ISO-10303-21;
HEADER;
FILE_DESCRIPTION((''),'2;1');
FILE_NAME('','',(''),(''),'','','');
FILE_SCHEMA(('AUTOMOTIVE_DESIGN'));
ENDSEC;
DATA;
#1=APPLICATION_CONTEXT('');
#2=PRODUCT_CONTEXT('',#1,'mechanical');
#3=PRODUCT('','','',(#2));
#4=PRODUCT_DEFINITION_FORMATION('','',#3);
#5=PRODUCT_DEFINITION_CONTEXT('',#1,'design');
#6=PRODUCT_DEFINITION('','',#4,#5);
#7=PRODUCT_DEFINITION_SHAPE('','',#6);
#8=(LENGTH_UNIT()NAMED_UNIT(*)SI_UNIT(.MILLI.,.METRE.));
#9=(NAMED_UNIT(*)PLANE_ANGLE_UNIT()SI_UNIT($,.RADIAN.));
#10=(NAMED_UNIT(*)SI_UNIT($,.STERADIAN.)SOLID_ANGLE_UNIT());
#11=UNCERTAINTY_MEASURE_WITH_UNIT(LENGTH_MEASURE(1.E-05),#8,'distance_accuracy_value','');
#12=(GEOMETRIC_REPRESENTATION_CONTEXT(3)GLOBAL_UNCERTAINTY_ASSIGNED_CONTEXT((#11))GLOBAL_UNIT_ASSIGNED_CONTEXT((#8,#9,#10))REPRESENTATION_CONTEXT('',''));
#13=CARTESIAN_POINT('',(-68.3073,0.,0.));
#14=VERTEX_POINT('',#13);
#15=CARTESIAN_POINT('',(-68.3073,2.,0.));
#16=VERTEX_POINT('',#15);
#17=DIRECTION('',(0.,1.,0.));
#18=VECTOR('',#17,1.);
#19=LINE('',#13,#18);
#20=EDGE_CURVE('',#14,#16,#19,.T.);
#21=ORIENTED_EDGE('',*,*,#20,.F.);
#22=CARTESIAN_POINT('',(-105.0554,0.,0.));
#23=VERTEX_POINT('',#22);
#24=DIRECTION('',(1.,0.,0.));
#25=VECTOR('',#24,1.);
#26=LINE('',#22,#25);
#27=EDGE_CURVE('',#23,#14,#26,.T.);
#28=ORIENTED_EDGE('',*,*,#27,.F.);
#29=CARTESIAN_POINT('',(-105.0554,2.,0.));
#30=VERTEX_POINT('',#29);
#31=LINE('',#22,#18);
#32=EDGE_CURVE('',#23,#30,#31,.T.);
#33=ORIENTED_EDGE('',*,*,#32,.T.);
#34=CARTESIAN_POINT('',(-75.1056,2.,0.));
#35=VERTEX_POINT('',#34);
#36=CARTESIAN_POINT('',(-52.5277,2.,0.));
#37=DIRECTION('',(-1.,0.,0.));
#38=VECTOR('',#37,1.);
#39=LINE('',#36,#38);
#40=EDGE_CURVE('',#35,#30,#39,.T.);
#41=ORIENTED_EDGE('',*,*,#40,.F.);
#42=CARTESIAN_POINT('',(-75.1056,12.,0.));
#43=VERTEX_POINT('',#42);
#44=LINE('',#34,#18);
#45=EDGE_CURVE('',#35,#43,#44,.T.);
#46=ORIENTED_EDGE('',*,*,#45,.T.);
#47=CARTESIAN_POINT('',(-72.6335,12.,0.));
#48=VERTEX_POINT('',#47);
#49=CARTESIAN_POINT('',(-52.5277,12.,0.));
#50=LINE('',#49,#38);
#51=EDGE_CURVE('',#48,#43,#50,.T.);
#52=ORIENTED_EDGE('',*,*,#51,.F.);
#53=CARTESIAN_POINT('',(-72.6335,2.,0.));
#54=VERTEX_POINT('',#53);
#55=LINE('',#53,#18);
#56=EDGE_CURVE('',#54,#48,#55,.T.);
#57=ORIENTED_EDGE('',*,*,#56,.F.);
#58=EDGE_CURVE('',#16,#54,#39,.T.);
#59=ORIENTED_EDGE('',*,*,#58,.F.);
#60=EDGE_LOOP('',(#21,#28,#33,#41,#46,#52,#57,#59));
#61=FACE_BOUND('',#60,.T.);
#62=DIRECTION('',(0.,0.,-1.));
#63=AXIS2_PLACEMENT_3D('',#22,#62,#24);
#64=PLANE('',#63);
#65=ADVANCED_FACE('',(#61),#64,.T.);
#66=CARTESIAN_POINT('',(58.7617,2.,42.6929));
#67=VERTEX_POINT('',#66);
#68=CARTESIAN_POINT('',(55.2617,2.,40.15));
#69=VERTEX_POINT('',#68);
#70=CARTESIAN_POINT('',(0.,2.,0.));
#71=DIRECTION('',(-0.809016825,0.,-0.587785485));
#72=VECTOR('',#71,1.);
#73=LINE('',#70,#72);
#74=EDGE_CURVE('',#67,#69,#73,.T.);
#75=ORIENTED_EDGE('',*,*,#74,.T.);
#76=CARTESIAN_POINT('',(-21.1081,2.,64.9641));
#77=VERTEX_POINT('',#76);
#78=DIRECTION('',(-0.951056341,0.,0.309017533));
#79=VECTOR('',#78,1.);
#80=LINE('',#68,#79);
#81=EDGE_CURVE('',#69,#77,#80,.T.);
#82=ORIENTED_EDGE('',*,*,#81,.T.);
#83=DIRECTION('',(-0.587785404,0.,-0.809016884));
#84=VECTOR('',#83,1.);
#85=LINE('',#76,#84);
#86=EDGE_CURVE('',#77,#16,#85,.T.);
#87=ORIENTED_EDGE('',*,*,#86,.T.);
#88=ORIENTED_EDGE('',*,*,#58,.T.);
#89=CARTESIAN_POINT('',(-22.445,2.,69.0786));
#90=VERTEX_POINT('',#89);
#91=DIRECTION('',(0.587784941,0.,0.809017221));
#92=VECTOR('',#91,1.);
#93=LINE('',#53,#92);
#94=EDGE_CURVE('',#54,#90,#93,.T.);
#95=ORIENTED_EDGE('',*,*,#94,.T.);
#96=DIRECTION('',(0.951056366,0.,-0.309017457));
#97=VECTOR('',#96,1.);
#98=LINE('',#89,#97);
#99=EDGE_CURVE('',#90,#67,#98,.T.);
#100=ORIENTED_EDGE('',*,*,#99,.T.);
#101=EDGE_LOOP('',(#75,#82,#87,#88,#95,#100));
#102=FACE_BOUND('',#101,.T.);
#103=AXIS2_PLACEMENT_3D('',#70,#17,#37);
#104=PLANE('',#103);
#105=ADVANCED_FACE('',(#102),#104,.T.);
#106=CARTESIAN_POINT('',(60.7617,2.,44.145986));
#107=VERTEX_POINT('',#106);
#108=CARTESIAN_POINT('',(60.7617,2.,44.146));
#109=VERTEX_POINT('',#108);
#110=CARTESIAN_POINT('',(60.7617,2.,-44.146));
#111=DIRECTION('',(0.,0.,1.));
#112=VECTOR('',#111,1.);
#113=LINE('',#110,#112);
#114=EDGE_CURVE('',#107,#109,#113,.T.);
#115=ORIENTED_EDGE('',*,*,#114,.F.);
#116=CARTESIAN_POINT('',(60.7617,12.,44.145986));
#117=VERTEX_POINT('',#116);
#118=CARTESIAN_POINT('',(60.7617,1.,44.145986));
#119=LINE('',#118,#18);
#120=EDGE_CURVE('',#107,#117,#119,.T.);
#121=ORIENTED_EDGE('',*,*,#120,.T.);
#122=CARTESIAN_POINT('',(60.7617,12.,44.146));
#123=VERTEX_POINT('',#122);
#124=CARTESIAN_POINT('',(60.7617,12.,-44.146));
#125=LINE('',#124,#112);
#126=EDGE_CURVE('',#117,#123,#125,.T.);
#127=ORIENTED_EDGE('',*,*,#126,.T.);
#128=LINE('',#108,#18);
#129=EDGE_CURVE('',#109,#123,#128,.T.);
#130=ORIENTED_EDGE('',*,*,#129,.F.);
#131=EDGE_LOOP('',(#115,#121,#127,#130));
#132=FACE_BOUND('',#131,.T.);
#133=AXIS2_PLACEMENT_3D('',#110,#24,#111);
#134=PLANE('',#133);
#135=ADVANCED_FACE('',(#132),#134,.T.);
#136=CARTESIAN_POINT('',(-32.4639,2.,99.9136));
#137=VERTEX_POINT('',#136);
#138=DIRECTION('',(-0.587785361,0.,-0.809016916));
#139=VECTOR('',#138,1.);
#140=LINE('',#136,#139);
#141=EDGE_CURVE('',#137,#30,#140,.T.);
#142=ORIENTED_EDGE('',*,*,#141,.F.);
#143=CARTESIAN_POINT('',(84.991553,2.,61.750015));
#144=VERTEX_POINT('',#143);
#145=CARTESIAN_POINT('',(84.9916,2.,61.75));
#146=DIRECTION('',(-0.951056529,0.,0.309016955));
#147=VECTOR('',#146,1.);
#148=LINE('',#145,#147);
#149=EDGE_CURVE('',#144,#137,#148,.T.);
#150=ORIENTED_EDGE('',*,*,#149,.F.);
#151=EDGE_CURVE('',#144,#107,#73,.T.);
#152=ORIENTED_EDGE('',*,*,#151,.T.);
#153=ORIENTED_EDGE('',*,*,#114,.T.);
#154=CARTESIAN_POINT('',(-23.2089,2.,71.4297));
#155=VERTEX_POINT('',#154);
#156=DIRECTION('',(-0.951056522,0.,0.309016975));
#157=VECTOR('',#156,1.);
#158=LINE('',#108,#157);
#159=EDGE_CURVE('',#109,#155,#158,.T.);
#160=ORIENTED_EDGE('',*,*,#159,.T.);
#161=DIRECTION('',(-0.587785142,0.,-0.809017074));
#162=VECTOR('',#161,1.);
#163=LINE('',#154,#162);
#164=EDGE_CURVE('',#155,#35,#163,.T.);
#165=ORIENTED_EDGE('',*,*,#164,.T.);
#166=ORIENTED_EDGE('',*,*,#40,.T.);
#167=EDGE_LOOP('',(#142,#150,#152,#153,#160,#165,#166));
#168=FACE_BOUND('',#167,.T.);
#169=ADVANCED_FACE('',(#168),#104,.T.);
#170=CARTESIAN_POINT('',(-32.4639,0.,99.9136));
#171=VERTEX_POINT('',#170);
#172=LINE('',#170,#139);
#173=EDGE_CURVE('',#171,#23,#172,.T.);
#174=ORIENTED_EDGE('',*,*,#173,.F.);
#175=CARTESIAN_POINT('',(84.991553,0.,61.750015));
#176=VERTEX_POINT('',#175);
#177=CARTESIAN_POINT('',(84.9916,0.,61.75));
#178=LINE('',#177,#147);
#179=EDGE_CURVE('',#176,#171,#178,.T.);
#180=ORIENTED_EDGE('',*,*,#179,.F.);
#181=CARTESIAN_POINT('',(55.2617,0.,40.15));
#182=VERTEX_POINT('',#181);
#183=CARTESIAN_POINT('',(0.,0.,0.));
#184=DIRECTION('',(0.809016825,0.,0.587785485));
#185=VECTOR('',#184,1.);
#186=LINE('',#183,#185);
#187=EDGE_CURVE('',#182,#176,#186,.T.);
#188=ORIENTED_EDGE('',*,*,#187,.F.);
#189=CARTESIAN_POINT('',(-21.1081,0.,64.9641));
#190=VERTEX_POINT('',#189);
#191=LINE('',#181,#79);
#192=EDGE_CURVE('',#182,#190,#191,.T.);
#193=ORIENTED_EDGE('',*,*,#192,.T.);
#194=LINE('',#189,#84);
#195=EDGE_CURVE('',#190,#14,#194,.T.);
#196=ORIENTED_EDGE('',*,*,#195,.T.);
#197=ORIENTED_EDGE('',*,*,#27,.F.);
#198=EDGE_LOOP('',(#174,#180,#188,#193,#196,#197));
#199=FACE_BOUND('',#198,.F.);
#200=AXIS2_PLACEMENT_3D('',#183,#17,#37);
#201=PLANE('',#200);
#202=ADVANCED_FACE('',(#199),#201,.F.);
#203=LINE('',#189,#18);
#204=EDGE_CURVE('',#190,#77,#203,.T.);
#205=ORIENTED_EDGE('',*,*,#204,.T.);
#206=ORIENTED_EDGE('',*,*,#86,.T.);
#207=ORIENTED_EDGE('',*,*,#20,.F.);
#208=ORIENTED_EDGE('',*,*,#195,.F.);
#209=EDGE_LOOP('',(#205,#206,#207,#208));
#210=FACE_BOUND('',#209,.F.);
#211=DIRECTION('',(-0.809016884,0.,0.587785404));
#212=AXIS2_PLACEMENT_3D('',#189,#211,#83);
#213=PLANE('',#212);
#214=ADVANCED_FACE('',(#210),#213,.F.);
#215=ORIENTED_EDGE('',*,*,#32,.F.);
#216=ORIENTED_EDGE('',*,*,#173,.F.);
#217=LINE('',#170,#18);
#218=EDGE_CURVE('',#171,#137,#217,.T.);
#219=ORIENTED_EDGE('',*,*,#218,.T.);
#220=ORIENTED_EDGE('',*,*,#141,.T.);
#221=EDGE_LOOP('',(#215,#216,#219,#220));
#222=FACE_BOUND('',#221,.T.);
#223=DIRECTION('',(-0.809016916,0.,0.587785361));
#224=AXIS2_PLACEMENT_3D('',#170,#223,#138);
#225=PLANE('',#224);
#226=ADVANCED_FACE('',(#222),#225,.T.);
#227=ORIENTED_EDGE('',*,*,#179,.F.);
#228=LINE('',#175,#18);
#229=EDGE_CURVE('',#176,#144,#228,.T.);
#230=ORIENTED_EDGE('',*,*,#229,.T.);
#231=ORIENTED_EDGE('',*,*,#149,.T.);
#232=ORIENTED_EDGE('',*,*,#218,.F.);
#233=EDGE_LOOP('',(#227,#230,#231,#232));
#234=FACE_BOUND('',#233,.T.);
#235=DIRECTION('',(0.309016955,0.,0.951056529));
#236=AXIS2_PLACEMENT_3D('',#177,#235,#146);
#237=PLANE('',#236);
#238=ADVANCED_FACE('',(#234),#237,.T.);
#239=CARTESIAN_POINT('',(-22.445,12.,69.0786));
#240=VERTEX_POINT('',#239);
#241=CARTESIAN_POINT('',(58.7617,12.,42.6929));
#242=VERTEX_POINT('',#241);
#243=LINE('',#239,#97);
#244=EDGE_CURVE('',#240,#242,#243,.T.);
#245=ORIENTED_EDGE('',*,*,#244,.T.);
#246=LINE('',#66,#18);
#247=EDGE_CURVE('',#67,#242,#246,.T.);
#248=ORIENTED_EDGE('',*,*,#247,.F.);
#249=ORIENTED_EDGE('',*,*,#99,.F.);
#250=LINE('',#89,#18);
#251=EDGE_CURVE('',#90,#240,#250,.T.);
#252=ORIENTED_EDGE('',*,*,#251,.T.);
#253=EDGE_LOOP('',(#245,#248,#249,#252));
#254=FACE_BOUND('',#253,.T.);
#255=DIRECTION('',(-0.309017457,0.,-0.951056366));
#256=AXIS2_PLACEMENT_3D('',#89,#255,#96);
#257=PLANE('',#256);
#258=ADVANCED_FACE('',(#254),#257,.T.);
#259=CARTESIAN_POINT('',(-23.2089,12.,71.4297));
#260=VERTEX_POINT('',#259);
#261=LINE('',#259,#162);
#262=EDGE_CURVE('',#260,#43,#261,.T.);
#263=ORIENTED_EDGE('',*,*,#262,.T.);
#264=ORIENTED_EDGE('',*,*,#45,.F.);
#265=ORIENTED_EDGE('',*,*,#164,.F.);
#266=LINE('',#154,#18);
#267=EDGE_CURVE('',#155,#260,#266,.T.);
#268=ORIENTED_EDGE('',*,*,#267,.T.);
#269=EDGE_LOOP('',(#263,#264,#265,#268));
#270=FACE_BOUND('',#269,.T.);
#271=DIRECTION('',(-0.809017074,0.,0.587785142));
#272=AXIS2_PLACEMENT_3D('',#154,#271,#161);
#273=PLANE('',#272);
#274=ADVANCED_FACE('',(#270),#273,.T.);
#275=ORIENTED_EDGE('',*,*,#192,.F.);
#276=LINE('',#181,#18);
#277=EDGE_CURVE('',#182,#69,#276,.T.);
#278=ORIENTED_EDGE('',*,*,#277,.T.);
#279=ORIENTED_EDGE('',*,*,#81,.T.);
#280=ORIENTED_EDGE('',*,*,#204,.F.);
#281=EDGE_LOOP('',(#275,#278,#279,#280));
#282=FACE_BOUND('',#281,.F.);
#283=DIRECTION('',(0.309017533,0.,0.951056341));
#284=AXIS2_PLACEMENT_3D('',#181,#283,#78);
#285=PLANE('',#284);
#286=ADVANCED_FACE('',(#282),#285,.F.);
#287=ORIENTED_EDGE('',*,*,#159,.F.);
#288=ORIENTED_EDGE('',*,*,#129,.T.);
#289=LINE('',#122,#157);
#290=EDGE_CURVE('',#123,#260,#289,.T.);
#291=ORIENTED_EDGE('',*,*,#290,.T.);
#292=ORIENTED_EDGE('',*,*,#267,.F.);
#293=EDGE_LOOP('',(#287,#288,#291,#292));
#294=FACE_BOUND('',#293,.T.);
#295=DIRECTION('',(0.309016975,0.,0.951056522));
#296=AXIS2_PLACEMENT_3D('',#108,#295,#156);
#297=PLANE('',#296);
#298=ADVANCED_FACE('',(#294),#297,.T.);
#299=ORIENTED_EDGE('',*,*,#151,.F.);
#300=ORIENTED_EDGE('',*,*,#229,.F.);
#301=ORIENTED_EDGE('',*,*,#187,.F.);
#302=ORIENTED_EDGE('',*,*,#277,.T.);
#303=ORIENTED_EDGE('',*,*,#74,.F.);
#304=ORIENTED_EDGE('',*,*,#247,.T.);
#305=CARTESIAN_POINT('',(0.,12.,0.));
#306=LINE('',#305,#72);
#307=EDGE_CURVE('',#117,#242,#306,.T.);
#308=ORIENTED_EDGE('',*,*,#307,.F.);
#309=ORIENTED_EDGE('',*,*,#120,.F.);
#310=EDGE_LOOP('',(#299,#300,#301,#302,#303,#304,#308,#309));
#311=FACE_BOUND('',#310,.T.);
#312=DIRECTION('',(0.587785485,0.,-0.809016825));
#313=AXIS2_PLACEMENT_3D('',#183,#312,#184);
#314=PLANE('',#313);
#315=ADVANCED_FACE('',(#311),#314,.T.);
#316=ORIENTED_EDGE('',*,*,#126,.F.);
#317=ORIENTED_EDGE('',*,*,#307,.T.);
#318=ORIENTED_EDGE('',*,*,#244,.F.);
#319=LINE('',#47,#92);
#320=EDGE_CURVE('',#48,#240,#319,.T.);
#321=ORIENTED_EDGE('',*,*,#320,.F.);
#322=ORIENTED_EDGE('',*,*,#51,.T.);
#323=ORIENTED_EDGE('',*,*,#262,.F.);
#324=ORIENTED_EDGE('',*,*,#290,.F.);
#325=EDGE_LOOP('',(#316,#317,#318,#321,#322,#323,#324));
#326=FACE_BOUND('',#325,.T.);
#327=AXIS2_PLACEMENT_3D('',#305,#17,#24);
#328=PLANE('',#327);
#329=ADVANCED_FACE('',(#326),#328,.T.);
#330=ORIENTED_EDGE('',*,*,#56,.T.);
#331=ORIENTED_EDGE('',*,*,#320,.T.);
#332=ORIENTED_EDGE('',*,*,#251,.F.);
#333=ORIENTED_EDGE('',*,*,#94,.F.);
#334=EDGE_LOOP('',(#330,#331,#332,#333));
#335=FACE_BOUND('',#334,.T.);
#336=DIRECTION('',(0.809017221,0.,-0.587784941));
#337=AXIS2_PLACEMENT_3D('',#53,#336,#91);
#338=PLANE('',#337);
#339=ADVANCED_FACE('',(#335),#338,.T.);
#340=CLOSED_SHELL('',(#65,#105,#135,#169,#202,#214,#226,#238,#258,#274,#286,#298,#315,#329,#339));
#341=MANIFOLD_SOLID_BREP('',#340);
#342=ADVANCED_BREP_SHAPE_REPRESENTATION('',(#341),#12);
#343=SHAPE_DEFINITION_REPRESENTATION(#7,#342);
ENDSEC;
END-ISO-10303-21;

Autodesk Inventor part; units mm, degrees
ref_plane "YZ Plane" through (0, 0, 0) normal (1, 0, 0) x (0, 1, 0)
ref_plane "XZ Plane" through (0, 0, 0) normal (0, 1, 0) x (-1, 0, 0)
ref_plane "XY Plane" through (0, 0, 0) normal (0, 0, 1) x (1, 0, 0)
sketch "草图1" plane through (0, 0, 0) normal (0, 1, 0) x (-1, 0, 0)
  line L0 (68.3073, 0) -> (21.1081, -64.9641)
  line L1 (21.1081, -64.9641) -> (-55.2617, -40.15)
  line L2 (-55.2617, -40.15) -> (-55.2617, 40.15)
  line L3 (-55.2617, 40.15) -> (21.1081, 64.9641)
  line L4 (21.1081, 64.9641) -> (68.3073, 0)
  line L5 (105.0554, 0) -> (32.4639, -99.9136)
  line L6 (32.4639, -99.9136) -> (-84.9916, -61.75)
  line L7 (-84.9916, -61.75) -> (-84.9916, 61.75)
  line L8 (-84.9916, 61.75) -> (32.4639, 99.9136)
  line L9 (32.4639, 99.9136) -> (105.0554, 0)
  point P0 (0, 0)
  point P1 (0, 0)
  point P2 (0, 0)
  dimension "d0" = 80.3
  dimension "d1" = 123.5
extrude "拉伸1" add sketch "草图1" along normal blind 2
sketch "草图2" plane through (0, 2, 0) normal (0, 1, 0) x (1, 0, 0)
  line L0 (-21.1081, 64.9641) -> (55.2617, 40.15) projected
  line L1 (55.2617, 40.15) -> (55.2617, -40.15) projected
  line L2 (55.2617, -40.15) -> (-21.1081, -64.9641) projected
  line L3 (-21.1081, -64.9641) -> (-68.3073, 0) projected
  line L4 (-68.3073, 0) -> (-21.1081, 64.9641) projected
  line L5 (-32.4639, 99.9136) -> (-105.0554, 0) projected
  line L6 (-105.0554, 0) -> (-32.4639, -99.9136) projected
  line L7 (-32.4639, -99.9136) -> (84.9916, -61.75) projected
  line L8 (84.9916, -61.75) -> (84.9916, 61.75) projected
  line L9 (84.9916, 61.75) -> (-32.4639, 99.9136) projected
  line L10 (58.7617, 42.6929) -> (-22.445, 69.0786)
  line L11 (-22.445, 69.0786) -> (-72.6335, 0)
  line L12 (-72.6335, 0) -> (-22.445, -69.0786)
  line L13 (-22.445, -69.0786) -> (58.7617, -42.6929)
  line L14 (58.7617, -42.6929) -> (58.7617, 42.6929)
  line L15 (-23.2089, 71.4297) -> (60.7617, 44.146)
  line L16 (60.7617, 44.146) -> (60.7617, -44.146)
  line L17 (60.7617, -44.146) -> (-23.2089, -71.4297)
  line L18 (-23.2089, -71.4297) -> (-75.1056, 0)
  line L19 (-75.1056, 0) -> (-23.2089, 71.4297)
  point P0 (0, 0)
  dimension "d4" = 3.5
  dimension "d5" = 2
extrude "拉伸2" add sketch "草图2" along normal blind 10 contours L15 L16 L17 L18 L19
sketch "草图3" plane through (0, 0, 0) normal (0, -1, 0) x (1, 0, 0)
  line L0 (-9.4145, -72.1274) -> (53.3776, -50.8644)
  line L1 (53.3776, -50.8644) -> (57.7542, -63.7889)
  line L2 (57.7542, -63.7889) -> (-5.038, -85.0518)
  line L3 (-5.038, -85.0518) -> (-9.4145, -72.1274)
  point P0 (0, 0)
extrude "拉伸3" cut sketch "草图3" against normal blind 10
sketch "草图4" plane through (0, 0, 0) normal (0, -1, 0) x (1, 0, 0)
  line L0 (-105.0554, 0) -> (-32.4639, -99.9136) projected
  line L1 (-105.0554, 0) -> (0, 0)
  line L2 (0, 0) -> (99.3977, 72.2167)
  line L3 (99.3977, 72.2167) -> (-62.0091, 125.592)
  line L4 (-62.0091, 125.592) -> (-127.7953, 9.1282)
  line L5 (-127.7953, 9.1282) -> (-105.0554, 0)
extrude "拉伸4" cut sketch "草图4" against normal blind 16.75 keep common part
properties part number "上部端盖" material "橡胶"
